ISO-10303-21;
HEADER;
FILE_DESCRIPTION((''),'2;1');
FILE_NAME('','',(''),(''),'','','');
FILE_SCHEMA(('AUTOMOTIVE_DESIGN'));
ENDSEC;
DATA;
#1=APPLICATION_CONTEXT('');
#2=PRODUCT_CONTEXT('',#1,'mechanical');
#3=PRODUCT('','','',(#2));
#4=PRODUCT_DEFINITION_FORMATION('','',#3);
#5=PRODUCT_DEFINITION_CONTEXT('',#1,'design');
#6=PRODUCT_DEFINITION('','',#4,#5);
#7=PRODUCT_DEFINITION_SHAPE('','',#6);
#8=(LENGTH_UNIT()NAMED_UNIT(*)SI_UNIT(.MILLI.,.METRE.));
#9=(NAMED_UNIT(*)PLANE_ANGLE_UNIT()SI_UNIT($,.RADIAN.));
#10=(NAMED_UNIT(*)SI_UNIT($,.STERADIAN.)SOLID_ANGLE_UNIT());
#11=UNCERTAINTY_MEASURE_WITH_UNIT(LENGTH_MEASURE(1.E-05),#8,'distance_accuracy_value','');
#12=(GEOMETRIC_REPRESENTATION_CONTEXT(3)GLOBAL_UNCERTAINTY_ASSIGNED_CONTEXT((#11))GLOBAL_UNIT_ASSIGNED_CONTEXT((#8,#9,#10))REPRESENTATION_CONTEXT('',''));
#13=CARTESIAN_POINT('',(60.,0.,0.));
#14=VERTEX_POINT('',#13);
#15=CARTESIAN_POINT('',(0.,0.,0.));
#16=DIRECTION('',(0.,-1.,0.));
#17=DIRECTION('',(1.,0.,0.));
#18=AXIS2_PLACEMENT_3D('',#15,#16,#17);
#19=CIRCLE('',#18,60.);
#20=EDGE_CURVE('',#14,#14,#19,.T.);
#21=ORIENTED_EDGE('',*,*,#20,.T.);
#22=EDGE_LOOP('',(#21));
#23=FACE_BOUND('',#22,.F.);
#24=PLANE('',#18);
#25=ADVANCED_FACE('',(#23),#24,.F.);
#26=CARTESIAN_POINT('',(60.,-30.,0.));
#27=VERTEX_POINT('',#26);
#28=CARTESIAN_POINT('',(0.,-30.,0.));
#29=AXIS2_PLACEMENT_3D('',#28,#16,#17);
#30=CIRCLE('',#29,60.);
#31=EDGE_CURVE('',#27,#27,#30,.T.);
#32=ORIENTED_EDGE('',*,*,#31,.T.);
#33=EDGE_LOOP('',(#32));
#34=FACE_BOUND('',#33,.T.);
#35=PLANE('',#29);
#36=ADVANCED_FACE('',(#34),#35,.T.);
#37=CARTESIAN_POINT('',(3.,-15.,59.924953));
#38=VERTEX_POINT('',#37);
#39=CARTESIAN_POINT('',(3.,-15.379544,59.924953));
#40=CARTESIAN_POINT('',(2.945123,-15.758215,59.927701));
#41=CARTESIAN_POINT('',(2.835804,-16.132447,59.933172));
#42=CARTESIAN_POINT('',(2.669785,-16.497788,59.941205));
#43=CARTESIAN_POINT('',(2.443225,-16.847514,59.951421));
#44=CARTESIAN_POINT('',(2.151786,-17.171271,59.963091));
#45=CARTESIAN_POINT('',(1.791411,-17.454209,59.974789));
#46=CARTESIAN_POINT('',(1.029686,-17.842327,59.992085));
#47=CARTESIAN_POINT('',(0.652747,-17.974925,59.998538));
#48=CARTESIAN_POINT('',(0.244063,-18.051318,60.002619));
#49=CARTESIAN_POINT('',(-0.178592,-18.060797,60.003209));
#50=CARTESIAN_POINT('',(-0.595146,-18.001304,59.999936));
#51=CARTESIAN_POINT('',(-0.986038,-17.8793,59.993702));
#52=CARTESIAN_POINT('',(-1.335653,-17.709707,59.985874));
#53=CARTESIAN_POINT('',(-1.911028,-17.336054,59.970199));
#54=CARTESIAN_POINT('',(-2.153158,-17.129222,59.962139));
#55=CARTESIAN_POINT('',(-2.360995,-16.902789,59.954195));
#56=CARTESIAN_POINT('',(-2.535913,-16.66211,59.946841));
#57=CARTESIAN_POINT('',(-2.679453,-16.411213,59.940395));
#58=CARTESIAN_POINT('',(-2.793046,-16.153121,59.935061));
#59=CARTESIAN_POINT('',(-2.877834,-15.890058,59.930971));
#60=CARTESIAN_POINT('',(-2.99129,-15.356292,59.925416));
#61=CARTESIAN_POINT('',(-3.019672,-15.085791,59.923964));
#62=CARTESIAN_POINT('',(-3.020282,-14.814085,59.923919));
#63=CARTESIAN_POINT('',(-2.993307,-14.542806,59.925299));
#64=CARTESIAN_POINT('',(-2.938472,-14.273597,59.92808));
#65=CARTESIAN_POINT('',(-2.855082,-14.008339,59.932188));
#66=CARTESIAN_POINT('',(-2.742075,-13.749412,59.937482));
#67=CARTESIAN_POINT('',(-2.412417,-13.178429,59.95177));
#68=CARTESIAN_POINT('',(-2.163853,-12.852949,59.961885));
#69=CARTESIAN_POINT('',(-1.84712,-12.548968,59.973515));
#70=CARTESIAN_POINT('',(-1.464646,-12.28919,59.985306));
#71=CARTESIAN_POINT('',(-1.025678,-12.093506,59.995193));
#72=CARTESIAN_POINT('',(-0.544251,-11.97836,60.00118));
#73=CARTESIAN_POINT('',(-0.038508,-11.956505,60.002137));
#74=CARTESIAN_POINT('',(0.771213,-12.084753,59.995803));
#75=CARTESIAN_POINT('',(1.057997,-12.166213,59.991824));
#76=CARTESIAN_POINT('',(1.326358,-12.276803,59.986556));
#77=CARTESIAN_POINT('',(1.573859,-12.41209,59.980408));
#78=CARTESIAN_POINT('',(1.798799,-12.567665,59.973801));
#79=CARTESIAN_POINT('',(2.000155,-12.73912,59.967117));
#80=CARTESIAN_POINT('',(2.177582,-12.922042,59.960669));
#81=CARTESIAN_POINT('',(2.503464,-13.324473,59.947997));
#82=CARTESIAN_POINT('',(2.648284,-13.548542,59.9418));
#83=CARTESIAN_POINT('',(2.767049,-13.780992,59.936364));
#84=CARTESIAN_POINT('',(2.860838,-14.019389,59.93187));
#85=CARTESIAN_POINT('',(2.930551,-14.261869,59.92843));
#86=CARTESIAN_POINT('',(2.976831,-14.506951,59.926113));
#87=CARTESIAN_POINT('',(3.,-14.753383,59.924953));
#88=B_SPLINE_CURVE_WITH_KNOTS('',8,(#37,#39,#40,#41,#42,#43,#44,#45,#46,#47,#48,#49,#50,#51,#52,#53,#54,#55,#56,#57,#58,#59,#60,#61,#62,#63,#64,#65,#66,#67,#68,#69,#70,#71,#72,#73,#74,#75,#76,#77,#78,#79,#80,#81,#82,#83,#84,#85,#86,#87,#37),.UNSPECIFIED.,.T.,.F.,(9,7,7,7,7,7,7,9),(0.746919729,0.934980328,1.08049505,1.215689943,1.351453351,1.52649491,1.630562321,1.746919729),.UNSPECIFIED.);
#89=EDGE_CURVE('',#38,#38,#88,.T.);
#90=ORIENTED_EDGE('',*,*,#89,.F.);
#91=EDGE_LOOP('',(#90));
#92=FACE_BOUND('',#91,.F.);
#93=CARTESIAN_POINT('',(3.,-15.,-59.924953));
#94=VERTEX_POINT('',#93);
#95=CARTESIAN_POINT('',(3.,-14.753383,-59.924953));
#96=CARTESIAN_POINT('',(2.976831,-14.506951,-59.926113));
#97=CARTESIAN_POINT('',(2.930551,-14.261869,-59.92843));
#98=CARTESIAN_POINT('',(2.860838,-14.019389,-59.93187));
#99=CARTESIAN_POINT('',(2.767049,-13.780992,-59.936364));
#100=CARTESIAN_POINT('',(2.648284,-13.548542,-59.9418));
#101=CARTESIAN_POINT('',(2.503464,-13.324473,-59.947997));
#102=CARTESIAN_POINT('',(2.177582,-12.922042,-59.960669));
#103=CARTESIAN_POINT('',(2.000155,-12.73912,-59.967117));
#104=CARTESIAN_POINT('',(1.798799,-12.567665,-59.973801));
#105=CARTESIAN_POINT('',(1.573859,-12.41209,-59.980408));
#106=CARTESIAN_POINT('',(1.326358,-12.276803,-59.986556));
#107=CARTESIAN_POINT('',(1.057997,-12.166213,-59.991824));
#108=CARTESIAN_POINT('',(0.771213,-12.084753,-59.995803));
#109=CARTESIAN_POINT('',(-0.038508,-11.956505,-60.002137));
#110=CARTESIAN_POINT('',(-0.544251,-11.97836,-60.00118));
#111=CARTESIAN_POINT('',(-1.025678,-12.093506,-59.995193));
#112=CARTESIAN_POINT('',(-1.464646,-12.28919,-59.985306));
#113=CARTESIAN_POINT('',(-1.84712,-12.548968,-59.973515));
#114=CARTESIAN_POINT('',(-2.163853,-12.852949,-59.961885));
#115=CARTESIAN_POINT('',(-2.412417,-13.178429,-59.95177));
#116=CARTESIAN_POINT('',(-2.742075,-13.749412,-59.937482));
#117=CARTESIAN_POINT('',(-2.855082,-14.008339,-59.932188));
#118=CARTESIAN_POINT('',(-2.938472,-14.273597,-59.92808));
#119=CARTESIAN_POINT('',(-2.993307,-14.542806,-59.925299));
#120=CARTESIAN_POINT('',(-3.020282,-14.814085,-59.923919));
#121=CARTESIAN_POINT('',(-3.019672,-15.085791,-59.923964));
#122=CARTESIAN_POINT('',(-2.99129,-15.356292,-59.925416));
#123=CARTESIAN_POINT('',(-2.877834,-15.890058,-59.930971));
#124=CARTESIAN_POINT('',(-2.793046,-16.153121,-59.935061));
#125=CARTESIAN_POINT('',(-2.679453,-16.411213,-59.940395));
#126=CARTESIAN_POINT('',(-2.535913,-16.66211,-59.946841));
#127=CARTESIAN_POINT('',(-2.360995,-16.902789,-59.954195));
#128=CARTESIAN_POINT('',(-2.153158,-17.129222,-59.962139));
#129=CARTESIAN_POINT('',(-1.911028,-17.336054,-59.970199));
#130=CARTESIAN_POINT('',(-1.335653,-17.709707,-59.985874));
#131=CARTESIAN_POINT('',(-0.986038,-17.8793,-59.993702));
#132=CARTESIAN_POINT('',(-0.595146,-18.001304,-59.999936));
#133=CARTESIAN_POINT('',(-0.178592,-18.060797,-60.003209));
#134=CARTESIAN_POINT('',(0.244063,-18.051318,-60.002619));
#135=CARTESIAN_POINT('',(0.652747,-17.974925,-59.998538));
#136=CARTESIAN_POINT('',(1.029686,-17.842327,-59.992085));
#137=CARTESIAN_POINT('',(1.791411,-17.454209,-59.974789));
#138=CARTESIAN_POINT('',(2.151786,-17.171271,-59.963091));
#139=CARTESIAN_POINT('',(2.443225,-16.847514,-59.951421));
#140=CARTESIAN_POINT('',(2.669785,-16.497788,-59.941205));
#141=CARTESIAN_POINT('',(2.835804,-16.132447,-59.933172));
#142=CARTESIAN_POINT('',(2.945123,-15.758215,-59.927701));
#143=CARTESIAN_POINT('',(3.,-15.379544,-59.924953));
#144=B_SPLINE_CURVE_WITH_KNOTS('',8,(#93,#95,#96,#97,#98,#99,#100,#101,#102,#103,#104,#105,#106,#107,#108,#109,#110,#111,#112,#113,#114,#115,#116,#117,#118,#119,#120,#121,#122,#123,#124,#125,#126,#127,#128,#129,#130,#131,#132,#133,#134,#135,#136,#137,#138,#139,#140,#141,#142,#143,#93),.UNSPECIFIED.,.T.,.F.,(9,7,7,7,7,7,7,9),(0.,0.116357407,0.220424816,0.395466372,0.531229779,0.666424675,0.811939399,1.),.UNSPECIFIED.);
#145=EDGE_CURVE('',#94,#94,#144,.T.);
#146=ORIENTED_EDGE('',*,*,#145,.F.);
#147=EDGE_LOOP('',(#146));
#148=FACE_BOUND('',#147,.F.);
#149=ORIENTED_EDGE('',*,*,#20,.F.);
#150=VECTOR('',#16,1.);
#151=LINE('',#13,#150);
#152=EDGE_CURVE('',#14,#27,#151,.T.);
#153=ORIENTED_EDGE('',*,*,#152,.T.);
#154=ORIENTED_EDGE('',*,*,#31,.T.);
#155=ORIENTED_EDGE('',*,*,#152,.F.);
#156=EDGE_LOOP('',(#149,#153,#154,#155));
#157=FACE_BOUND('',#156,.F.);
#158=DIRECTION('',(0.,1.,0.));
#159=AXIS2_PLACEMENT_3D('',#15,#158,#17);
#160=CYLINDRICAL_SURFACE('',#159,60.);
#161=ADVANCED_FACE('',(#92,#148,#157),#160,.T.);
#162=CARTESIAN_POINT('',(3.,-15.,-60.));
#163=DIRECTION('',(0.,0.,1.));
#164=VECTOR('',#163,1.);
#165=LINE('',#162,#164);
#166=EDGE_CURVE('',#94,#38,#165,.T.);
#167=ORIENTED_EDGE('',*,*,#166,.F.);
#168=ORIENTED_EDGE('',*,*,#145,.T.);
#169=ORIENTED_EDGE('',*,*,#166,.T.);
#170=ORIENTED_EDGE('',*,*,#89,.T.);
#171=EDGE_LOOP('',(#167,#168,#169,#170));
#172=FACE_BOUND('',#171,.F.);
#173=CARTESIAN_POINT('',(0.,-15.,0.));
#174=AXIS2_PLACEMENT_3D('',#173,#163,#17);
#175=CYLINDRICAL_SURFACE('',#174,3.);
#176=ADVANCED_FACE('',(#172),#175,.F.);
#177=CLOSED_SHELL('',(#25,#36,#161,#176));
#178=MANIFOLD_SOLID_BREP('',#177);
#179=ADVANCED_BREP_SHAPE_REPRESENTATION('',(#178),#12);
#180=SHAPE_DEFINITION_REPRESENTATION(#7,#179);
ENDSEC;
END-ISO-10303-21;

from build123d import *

# Parameters (mm, degrees)
F0_R     = 60
F1_DEPTH = 30
F4_R     = 3
F5_DEPTH = 60


with BuildPart() as f1:
    # F0 (on Front) → F1 (new body)
    with BuildSketch(Plane.XZ):
        Circle(F0_R)
    extrude(amount=F1_DEPTH)

    # F4 (on Top) → F5 (cut, symmetric)
    with BuildSketch(Plane.XY):
        with Locations((0, -15)):
            Circle(F4_R)
    extrude(amount=F5_DEPTH, both=True, mode=Mode.SUBTRACT)


solid = f1.part
